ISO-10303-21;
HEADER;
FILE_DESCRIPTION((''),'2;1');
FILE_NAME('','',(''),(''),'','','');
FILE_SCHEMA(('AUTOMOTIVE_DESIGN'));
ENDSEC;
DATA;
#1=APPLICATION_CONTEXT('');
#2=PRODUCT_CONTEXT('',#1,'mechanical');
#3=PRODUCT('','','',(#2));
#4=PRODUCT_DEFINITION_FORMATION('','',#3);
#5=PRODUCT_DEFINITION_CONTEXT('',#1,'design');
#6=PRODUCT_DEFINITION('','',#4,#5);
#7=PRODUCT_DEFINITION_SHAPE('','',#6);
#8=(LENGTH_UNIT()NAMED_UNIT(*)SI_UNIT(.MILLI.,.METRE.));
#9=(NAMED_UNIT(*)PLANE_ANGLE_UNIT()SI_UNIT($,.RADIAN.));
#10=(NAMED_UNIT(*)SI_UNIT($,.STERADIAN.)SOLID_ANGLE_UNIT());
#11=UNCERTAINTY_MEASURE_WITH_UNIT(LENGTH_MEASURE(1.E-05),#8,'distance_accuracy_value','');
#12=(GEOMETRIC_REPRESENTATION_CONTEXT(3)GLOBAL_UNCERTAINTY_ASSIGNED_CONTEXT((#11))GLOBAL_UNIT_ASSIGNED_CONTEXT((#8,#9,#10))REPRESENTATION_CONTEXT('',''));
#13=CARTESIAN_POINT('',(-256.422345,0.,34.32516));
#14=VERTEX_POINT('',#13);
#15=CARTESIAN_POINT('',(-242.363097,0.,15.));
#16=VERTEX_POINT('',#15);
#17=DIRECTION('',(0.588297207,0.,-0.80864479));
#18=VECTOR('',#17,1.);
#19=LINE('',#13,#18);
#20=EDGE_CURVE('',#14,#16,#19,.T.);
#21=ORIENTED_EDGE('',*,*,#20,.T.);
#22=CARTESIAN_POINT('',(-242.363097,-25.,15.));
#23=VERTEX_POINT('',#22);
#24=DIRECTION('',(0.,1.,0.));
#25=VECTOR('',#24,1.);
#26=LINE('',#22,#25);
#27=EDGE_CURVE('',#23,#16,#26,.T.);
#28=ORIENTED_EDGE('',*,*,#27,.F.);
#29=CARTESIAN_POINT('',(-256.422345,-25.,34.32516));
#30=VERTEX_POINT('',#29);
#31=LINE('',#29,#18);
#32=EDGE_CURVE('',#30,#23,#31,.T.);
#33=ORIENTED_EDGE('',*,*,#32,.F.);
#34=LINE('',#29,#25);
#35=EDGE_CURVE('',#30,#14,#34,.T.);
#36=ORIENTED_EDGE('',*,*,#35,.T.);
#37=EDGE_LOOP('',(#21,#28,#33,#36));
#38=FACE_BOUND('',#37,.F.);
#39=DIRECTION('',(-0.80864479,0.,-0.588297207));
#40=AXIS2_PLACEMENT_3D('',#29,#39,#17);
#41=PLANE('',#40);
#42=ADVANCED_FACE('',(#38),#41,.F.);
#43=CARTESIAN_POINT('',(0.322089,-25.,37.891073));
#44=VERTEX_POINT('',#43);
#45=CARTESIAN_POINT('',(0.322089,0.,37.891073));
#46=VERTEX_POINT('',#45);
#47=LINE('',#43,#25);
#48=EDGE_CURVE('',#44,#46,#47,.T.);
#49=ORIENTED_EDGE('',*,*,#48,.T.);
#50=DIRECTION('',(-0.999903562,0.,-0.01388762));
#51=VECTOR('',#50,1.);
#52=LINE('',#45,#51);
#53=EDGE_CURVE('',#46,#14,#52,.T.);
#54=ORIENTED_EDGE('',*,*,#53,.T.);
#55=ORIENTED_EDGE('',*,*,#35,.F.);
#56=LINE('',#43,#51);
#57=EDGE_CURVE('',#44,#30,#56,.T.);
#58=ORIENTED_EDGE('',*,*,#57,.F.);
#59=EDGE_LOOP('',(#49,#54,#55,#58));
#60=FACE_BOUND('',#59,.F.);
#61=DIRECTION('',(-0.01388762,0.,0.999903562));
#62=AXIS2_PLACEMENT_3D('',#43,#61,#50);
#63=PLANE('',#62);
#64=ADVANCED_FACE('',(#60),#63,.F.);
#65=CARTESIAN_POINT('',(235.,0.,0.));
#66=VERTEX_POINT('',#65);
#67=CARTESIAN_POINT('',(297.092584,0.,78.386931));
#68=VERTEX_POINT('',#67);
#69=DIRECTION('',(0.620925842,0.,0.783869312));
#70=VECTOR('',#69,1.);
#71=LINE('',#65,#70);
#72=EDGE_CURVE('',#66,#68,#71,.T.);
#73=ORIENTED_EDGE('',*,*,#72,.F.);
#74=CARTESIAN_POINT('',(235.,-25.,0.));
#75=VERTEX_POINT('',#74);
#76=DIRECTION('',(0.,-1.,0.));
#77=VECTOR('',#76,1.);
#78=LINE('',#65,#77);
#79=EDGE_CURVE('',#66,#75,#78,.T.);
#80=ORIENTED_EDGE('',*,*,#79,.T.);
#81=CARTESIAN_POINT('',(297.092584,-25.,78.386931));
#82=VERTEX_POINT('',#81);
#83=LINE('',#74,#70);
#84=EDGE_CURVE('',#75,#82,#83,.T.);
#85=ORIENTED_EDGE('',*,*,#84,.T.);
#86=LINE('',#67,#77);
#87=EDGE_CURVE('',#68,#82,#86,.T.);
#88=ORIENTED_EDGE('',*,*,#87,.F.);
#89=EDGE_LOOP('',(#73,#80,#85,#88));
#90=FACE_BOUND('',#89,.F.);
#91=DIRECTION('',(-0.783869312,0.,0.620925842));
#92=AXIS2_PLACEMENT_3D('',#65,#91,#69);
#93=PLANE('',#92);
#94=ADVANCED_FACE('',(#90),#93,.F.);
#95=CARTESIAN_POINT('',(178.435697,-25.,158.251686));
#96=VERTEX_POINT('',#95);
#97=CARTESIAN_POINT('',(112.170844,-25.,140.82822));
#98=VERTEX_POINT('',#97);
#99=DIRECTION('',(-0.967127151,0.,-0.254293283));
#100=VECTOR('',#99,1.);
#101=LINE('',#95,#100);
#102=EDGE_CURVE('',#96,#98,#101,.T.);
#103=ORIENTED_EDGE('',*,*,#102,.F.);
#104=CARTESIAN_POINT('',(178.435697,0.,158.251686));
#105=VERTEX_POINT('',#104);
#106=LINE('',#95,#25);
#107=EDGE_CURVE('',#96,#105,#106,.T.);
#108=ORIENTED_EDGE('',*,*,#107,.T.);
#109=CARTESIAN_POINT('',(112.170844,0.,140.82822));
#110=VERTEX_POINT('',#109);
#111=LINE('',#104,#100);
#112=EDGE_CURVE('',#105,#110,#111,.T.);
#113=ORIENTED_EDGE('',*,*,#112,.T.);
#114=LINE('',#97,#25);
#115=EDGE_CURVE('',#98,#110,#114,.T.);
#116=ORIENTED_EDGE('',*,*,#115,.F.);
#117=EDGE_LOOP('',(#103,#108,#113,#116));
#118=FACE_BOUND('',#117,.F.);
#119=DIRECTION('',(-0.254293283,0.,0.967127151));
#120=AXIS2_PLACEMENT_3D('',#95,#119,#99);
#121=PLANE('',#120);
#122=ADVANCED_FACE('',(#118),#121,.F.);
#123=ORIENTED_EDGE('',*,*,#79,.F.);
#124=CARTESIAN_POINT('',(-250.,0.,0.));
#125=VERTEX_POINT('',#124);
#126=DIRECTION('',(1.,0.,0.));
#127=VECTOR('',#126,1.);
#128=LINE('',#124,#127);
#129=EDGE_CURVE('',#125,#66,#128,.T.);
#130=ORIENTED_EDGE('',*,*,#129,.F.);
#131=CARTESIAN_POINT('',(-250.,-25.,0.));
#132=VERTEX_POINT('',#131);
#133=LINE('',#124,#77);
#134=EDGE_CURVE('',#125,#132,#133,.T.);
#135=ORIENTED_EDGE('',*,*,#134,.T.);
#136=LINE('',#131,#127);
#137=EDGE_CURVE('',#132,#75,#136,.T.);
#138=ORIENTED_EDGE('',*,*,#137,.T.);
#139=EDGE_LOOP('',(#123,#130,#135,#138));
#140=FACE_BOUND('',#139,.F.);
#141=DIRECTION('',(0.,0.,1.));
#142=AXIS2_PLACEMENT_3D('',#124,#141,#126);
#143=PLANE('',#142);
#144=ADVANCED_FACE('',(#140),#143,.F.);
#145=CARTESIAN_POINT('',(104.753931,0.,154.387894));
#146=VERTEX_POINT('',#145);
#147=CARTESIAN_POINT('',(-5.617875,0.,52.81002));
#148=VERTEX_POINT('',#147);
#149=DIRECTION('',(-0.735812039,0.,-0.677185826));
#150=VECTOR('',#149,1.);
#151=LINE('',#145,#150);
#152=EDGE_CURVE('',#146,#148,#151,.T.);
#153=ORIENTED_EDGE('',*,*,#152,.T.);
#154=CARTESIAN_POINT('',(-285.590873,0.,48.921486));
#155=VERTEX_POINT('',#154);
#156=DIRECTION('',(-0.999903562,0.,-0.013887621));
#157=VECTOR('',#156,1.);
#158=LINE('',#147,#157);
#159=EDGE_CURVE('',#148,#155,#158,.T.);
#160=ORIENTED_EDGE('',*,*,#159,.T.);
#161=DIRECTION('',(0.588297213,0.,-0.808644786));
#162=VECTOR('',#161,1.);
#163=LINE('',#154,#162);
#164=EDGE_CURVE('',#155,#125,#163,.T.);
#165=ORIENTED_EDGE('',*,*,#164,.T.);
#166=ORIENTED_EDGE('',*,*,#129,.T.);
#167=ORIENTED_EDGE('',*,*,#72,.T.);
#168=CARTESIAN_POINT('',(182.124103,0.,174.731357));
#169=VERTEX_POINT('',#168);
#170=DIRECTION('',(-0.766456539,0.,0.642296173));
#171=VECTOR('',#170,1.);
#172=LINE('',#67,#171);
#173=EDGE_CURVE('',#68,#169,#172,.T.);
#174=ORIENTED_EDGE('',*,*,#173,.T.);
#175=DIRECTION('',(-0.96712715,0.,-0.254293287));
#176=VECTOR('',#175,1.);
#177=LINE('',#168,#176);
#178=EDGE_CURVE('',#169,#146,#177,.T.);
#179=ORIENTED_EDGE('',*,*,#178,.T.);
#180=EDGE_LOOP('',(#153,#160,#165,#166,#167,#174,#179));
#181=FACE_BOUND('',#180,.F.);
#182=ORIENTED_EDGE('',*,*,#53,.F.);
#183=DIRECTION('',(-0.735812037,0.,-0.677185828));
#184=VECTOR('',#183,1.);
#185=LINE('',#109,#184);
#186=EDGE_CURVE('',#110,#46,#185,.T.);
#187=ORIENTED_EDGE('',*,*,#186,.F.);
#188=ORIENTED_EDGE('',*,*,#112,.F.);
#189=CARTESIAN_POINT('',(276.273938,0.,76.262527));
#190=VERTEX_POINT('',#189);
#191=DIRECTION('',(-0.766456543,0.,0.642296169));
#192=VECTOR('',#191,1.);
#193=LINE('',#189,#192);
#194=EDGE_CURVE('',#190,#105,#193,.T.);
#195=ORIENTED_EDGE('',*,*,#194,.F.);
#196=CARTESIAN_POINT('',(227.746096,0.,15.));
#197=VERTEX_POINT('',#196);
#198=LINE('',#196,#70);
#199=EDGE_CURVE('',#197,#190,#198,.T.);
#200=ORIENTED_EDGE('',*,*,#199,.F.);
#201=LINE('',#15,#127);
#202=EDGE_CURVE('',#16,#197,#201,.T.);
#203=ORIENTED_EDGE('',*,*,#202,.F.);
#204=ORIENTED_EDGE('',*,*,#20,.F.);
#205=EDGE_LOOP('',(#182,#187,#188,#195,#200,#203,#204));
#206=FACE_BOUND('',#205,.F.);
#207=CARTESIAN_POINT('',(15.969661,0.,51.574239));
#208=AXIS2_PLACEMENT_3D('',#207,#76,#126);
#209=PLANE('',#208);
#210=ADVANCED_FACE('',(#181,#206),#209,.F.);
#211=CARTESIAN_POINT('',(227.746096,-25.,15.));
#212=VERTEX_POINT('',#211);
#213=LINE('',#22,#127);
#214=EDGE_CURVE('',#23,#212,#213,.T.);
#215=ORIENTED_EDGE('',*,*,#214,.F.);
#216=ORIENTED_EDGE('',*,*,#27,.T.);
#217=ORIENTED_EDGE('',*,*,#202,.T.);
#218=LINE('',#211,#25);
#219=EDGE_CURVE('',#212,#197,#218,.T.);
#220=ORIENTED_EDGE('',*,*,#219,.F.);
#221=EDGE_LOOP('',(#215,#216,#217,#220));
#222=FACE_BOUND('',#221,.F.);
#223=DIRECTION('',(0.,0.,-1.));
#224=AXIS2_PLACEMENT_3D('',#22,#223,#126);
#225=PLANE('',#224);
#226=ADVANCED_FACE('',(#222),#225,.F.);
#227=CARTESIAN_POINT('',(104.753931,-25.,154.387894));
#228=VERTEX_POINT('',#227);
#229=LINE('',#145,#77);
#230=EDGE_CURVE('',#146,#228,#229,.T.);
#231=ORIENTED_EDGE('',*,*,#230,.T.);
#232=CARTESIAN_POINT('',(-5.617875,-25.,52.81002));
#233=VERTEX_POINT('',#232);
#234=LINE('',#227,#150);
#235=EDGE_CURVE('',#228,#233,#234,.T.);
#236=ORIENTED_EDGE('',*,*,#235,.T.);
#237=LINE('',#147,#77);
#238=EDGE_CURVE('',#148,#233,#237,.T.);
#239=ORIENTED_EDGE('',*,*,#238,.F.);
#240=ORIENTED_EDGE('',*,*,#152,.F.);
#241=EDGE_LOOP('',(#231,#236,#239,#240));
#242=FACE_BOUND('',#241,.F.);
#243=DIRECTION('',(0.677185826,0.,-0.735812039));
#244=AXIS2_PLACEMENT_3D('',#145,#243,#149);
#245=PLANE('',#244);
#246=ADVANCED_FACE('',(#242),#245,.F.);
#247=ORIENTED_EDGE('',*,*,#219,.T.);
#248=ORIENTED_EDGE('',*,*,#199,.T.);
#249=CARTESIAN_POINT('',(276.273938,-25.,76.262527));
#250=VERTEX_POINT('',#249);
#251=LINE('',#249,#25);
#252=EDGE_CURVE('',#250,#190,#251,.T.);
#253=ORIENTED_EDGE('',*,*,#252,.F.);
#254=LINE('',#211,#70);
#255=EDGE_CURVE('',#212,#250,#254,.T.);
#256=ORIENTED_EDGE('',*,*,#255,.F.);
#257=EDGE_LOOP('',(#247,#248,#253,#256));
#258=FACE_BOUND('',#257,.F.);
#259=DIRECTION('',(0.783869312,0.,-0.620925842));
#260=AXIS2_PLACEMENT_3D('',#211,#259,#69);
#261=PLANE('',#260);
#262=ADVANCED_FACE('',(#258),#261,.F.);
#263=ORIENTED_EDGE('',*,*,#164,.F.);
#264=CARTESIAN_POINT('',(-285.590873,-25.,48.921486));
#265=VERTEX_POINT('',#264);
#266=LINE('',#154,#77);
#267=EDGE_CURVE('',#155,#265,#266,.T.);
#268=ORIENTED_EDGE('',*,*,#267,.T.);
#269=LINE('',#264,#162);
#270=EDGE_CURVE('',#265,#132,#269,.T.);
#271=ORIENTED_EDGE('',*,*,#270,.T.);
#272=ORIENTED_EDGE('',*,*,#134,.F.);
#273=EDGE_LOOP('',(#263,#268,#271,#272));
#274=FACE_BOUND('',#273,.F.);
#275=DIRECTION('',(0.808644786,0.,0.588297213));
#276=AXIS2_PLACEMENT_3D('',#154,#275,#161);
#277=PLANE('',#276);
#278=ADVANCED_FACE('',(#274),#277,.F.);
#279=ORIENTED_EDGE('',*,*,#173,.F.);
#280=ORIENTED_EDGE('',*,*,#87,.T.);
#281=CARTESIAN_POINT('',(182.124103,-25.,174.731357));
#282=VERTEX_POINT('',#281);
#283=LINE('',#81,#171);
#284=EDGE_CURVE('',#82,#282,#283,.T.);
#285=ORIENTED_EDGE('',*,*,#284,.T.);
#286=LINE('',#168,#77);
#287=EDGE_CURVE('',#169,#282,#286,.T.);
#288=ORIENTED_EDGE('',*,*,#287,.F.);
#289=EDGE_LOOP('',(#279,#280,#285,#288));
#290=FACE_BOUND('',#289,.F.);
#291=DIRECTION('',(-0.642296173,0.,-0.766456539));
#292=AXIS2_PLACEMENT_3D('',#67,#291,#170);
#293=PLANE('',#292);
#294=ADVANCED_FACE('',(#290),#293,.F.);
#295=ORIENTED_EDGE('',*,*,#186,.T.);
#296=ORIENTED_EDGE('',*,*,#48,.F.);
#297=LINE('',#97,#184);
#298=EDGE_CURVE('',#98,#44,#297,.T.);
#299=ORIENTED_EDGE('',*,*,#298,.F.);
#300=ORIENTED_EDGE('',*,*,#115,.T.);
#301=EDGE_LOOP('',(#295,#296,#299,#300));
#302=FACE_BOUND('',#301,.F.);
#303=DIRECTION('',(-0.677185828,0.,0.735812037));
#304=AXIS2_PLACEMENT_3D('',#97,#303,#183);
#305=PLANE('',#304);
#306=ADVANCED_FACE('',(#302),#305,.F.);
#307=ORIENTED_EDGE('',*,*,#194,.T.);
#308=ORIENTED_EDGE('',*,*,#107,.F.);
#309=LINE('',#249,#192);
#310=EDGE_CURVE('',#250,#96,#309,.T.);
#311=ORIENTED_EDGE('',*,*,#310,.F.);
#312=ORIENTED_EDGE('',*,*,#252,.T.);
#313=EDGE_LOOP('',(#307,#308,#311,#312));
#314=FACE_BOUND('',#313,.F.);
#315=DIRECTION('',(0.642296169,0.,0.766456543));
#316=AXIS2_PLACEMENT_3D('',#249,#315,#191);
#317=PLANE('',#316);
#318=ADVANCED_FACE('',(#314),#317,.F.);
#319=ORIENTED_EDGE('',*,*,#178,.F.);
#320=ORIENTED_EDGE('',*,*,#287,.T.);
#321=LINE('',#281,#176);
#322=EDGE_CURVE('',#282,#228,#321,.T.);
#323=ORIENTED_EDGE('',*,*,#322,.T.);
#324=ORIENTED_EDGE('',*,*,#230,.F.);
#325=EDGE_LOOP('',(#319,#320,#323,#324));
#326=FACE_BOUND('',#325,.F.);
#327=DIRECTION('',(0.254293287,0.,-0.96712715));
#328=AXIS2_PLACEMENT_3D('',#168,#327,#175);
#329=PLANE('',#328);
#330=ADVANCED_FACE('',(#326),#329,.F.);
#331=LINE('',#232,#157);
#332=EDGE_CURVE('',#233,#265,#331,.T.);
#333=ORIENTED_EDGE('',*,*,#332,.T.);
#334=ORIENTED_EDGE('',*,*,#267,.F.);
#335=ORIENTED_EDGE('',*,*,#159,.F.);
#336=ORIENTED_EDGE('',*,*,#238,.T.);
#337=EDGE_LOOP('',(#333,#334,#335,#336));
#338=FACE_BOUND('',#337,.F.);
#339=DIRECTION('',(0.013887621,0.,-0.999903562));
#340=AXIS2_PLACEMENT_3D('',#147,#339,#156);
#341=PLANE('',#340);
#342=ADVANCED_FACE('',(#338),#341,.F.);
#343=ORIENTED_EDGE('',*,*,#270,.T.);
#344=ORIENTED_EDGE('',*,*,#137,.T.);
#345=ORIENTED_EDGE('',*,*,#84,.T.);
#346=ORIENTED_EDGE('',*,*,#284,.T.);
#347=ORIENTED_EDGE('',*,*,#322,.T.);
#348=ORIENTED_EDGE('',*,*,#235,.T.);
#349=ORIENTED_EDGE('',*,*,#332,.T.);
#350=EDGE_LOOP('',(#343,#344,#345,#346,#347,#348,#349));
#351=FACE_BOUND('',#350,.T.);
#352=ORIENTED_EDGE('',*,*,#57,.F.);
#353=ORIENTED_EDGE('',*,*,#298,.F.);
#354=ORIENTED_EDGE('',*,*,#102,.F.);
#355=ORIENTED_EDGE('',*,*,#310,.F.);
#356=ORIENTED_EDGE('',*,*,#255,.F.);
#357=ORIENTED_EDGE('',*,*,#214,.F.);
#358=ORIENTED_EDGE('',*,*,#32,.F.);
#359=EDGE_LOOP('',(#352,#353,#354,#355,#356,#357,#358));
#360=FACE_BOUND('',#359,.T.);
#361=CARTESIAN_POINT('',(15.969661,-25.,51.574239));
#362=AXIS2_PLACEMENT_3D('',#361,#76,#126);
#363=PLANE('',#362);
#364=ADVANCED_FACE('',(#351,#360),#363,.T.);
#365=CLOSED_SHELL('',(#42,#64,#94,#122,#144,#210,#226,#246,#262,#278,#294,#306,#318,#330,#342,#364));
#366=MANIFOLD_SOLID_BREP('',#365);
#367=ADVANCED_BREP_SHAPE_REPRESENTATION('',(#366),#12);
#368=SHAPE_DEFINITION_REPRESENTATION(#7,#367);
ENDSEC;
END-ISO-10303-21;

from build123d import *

# Parameters (mm, degrees)
F1_DEPTH = 25
F3_DEPTH = 25


with BuildPart() as f1:
    # F0 (on Front) → F1 (new body)
    with BuildSketch(Plane.XZ):
        Polygon((-250, 0), (0, 0), (235, 0), (297.092584, 78.386931), (182.124103, 174.731357), (104.753931, 154.387894), (-5.617875, 52.81002), (-285.590873, 48.921486), align=None)
    extrude(amount=F1_DEPTH)

    # F2 (on face) → F3 (cut)
    with BuildSketch(Plane.XZ.offset(25)):
        Polygon((178.435697, 158.251686), (112.170844, 140.82822), (0.322089, 37.891073), (-256.422345, 34.32516), (-242.363097, 15), (227.746096, 15), (276.273938, 76.262527), align=None)
    extrude(amount=-F3_DEPTH, mode=Mode.SUBTRACT)


solid = f1.part
